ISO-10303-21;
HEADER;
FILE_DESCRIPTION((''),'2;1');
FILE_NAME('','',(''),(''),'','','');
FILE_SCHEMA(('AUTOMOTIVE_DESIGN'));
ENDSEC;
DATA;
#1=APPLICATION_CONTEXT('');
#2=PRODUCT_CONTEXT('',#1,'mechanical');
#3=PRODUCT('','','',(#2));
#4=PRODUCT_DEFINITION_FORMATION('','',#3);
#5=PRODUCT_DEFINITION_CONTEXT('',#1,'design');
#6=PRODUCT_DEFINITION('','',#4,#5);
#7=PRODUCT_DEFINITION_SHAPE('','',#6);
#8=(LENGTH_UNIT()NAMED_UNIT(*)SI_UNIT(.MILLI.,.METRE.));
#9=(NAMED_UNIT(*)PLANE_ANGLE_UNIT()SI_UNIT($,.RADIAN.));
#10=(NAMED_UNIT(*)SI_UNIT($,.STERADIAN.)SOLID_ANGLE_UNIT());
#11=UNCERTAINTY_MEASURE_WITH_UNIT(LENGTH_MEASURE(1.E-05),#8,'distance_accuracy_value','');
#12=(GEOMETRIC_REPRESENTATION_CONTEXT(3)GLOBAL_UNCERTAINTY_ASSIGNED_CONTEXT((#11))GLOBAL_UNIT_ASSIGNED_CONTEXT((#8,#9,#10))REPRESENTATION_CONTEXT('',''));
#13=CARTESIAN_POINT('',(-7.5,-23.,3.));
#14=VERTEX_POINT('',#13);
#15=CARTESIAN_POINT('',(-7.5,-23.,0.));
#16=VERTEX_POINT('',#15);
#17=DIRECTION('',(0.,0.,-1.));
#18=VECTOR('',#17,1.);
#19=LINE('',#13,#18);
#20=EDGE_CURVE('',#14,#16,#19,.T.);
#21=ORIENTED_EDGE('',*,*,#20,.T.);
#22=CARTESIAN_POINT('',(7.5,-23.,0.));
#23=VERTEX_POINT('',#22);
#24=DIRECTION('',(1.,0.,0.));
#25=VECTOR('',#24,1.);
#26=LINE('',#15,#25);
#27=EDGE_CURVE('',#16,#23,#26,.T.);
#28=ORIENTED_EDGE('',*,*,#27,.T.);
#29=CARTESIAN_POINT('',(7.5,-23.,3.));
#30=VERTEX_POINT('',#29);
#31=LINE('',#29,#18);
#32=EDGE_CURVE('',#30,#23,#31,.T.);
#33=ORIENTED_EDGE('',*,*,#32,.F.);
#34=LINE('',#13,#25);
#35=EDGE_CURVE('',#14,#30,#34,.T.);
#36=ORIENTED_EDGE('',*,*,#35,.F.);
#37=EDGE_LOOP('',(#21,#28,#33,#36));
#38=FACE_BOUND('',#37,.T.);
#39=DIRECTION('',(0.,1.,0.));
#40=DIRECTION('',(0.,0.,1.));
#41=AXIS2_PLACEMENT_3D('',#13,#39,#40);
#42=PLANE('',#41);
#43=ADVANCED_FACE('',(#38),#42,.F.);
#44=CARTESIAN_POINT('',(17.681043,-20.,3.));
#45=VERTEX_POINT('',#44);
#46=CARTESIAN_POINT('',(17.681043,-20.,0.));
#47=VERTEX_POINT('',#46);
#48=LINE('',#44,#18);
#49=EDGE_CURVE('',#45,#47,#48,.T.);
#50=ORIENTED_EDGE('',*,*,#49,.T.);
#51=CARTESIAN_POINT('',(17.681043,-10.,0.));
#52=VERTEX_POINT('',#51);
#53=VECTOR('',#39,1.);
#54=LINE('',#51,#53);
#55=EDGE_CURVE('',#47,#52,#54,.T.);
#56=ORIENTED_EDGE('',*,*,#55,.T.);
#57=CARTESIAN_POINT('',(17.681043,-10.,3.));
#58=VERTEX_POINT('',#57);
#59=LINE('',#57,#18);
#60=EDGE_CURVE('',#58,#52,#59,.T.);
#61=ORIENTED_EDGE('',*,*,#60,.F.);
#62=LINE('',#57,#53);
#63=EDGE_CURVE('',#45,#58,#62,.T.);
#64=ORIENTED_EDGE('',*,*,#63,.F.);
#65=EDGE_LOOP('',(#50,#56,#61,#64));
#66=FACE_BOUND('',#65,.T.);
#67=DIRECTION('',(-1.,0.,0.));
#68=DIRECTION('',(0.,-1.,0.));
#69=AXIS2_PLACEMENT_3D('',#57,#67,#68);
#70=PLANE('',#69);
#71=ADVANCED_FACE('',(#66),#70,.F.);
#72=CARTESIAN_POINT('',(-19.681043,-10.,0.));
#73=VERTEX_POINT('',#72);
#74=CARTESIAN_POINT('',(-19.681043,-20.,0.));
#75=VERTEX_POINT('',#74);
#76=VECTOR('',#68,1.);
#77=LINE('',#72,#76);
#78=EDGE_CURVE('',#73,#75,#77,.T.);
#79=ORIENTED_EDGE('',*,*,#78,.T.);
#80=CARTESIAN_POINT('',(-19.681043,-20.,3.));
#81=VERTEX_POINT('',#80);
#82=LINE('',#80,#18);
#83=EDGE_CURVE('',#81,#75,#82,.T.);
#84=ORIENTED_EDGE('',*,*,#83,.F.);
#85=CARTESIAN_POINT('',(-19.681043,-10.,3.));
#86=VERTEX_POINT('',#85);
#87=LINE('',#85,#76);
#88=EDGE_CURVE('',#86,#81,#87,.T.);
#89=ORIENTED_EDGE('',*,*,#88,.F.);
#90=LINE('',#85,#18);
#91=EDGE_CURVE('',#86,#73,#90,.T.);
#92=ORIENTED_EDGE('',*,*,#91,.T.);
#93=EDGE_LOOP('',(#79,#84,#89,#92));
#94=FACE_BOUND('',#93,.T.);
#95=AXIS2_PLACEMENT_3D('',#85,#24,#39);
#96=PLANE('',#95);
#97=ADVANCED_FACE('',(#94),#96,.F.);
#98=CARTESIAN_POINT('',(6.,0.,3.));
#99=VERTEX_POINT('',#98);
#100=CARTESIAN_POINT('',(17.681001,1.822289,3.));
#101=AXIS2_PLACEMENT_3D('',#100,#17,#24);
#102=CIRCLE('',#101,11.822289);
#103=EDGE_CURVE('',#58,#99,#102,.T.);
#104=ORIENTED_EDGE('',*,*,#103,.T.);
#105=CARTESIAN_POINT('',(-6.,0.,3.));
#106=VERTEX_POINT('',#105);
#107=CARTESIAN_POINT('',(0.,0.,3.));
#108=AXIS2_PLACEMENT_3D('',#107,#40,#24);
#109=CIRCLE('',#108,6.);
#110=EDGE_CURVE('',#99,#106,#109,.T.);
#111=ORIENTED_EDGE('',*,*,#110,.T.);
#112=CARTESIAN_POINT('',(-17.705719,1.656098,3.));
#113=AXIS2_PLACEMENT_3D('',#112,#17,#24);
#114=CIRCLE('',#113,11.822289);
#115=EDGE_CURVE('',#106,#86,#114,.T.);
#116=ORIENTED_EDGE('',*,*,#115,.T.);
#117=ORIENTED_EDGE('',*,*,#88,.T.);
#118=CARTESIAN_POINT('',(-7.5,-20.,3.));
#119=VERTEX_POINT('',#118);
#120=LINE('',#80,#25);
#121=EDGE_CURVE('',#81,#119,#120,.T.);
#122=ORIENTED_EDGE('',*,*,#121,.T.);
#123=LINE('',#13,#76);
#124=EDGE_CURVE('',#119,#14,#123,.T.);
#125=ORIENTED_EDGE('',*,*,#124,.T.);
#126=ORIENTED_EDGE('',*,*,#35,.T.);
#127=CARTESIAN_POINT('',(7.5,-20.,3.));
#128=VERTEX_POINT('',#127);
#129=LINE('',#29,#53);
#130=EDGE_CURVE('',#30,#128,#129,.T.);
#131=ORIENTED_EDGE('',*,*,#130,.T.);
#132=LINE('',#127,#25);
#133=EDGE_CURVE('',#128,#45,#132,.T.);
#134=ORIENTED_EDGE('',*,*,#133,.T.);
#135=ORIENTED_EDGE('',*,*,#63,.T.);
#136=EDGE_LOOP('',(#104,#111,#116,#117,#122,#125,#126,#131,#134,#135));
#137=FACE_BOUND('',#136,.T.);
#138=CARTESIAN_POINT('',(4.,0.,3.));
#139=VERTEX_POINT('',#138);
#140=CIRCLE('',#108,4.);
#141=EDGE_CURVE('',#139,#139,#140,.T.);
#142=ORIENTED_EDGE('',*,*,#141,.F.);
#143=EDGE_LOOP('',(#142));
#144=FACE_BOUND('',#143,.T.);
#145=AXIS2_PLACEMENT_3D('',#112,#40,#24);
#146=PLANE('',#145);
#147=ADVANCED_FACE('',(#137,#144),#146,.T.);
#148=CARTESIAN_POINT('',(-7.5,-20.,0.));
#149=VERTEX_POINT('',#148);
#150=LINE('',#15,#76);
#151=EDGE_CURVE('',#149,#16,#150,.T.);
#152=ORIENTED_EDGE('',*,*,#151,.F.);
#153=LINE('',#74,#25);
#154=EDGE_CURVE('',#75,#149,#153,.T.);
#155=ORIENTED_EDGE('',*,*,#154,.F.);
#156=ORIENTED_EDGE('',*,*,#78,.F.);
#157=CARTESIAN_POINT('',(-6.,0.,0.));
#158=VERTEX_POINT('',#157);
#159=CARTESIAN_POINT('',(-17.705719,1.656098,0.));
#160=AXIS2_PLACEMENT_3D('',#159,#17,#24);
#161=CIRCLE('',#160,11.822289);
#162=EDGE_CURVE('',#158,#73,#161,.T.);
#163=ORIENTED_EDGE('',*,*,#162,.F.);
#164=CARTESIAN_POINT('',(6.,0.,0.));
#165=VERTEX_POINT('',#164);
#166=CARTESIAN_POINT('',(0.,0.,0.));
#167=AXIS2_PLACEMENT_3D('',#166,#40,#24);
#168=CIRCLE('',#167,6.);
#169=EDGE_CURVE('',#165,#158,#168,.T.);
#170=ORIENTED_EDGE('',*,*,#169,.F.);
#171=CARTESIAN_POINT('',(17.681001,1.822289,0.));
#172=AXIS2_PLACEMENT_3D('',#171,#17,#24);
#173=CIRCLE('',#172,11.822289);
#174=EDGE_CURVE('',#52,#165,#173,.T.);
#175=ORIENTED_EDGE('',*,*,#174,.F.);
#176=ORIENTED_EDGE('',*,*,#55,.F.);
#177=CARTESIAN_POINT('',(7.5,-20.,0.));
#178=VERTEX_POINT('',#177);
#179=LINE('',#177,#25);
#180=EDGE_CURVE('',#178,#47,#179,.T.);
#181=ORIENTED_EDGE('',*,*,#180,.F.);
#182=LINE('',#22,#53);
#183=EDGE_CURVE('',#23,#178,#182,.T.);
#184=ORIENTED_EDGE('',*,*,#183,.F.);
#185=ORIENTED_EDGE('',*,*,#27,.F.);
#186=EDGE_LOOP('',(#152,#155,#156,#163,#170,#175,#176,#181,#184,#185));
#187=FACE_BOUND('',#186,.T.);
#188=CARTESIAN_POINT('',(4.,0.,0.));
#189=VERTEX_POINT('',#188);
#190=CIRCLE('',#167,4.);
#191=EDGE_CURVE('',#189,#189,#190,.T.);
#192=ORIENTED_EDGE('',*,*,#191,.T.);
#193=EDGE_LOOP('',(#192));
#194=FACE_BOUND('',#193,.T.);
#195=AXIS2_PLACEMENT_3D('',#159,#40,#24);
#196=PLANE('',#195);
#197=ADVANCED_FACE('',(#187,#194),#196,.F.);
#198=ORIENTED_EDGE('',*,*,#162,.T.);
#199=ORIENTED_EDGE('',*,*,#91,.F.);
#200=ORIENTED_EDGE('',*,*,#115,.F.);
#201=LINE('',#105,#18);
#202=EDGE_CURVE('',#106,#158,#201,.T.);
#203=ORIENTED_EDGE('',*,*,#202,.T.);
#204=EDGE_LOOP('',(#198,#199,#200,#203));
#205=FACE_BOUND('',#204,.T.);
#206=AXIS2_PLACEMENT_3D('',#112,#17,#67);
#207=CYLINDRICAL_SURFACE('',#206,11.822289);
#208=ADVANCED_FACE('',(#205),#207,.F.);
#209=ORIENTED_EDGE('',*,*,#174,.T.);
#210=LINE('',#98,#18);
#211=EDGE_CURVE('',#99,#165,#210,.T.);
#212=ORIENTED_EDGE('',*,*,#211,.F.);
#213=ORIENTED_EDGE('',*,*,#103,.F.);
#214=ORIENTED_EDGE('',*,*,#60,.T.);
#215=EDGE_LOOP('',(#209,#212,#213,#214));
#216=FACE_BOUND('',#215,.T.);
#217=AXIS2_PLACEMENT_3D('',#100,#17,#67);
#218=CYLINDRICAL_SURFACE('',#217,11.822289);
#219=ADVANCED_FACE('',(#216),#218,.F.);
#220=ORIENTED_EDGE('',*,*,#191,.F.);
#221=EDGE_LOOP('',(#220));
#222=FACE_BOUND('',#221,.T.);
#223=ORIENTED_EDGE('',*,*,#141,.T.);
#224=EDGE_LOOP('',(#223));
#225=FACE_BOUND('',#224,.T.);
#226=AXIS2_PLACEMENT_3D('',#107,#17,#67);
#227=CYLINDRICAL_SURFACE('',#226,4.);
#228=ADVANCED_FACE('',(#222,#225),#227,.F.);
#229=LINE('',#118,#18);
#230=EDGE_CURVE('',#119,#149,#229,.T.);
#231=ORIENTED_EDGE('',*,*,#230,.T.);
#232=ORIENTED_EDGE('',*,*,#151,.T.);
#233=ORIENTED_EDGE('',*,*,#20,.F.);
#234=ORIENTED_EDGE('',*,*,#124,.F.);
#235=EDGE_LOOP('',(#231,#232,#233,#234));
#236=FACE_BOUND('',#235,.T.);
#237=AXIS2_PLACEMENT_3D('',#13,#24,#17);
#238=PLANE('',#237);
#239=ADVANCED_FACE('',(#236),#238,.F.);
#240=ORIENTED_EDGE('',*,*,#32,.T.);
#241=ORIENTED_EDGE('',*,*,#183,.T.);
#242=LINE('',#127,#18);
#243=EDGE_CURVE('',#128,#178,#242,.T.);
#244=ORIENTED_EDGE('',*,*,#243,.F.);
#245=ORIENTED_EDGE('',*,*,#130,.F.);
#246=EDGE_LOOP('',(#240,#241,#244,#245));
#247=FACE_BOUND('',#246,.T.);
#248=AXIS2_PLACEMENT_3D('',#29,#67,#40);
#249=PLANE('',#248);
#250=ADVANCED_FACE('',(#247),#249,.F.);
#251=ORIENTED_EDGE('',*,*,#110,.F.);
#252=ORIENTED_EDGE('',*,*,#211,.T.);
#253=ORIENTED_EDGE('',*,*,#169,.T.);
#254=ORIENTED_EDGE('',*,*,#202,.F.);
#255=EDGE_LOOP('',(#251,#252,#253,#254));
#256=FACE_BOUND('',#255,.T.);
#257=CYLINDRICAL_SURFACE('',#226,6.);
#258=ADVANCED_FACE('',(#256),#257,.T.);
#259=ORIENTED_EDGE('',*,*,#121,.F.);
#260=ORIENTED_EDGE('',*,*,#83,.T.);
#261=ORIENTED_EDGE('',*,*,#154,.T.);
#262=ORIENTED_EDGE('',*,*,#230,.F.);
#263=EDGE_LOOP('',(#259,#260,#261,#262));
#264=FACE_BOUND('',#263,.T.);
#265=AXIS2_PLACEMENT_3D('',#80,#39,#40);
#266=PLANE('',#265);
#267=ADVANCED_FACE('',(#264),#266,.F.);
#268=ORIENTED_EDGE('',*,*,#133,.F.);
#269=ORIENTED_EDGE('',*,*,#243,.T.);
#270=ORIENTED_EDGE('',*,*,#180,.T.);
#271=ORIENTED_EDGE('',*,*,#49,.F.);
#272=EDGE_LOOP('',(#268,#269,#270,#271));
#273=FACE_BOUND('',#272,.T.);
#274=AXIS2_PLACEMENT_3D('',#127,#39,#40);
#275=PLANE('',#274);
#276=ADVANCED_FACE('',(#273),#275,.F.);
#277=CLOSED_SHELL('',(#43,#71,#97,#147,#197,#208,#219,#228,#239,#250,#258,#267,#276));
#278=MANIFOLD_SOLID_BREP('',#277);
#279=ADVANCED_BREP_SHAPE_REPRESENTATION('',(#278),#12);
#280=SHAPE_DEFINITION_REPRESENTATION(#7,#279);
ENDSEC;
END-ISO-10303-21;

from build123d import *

# Parameters (mm, degrees)
SKETCH1_R           = 4
BOSS_EXTRUDE1_DEPTH = 3


with BuildPart() as part:
    # Sketch1 → Boss-Extrude1 (new body)
    with BuildSketch(Plane.XY):
        with BuildLine():
            Line((7.5, -20), (17.681043382, -20))
            Line((17.681043382, -20), (17.681043382, -10))
            ThreePointArc((17.681043382, -10), (9.992620207, -7.15854174), (6, 0))
            ThreePointArc((6, 0), (0, 6), (-6, 0))
            ThreePointArc((-6, 0), (-10.729319879, -7.888344359), (-19.681043382, -10))
            Line((-19.681043382, -10), (-19.681043382, -20))
            Line((-19.681043382, -20), (-7.5, -20))
            Line((-7.5, -20), (-7.5, -23))
            Line((-7.5, -23), (7.5, -23))
            Line((7.5, -23), (7.5, -20))
        make_face()
        Circle(SKETCH1_R, mode=Mode.SUBTRACT)
    extrude(amount=BOSS_EXTRUDE1_DEPTH)


solid = part.part
